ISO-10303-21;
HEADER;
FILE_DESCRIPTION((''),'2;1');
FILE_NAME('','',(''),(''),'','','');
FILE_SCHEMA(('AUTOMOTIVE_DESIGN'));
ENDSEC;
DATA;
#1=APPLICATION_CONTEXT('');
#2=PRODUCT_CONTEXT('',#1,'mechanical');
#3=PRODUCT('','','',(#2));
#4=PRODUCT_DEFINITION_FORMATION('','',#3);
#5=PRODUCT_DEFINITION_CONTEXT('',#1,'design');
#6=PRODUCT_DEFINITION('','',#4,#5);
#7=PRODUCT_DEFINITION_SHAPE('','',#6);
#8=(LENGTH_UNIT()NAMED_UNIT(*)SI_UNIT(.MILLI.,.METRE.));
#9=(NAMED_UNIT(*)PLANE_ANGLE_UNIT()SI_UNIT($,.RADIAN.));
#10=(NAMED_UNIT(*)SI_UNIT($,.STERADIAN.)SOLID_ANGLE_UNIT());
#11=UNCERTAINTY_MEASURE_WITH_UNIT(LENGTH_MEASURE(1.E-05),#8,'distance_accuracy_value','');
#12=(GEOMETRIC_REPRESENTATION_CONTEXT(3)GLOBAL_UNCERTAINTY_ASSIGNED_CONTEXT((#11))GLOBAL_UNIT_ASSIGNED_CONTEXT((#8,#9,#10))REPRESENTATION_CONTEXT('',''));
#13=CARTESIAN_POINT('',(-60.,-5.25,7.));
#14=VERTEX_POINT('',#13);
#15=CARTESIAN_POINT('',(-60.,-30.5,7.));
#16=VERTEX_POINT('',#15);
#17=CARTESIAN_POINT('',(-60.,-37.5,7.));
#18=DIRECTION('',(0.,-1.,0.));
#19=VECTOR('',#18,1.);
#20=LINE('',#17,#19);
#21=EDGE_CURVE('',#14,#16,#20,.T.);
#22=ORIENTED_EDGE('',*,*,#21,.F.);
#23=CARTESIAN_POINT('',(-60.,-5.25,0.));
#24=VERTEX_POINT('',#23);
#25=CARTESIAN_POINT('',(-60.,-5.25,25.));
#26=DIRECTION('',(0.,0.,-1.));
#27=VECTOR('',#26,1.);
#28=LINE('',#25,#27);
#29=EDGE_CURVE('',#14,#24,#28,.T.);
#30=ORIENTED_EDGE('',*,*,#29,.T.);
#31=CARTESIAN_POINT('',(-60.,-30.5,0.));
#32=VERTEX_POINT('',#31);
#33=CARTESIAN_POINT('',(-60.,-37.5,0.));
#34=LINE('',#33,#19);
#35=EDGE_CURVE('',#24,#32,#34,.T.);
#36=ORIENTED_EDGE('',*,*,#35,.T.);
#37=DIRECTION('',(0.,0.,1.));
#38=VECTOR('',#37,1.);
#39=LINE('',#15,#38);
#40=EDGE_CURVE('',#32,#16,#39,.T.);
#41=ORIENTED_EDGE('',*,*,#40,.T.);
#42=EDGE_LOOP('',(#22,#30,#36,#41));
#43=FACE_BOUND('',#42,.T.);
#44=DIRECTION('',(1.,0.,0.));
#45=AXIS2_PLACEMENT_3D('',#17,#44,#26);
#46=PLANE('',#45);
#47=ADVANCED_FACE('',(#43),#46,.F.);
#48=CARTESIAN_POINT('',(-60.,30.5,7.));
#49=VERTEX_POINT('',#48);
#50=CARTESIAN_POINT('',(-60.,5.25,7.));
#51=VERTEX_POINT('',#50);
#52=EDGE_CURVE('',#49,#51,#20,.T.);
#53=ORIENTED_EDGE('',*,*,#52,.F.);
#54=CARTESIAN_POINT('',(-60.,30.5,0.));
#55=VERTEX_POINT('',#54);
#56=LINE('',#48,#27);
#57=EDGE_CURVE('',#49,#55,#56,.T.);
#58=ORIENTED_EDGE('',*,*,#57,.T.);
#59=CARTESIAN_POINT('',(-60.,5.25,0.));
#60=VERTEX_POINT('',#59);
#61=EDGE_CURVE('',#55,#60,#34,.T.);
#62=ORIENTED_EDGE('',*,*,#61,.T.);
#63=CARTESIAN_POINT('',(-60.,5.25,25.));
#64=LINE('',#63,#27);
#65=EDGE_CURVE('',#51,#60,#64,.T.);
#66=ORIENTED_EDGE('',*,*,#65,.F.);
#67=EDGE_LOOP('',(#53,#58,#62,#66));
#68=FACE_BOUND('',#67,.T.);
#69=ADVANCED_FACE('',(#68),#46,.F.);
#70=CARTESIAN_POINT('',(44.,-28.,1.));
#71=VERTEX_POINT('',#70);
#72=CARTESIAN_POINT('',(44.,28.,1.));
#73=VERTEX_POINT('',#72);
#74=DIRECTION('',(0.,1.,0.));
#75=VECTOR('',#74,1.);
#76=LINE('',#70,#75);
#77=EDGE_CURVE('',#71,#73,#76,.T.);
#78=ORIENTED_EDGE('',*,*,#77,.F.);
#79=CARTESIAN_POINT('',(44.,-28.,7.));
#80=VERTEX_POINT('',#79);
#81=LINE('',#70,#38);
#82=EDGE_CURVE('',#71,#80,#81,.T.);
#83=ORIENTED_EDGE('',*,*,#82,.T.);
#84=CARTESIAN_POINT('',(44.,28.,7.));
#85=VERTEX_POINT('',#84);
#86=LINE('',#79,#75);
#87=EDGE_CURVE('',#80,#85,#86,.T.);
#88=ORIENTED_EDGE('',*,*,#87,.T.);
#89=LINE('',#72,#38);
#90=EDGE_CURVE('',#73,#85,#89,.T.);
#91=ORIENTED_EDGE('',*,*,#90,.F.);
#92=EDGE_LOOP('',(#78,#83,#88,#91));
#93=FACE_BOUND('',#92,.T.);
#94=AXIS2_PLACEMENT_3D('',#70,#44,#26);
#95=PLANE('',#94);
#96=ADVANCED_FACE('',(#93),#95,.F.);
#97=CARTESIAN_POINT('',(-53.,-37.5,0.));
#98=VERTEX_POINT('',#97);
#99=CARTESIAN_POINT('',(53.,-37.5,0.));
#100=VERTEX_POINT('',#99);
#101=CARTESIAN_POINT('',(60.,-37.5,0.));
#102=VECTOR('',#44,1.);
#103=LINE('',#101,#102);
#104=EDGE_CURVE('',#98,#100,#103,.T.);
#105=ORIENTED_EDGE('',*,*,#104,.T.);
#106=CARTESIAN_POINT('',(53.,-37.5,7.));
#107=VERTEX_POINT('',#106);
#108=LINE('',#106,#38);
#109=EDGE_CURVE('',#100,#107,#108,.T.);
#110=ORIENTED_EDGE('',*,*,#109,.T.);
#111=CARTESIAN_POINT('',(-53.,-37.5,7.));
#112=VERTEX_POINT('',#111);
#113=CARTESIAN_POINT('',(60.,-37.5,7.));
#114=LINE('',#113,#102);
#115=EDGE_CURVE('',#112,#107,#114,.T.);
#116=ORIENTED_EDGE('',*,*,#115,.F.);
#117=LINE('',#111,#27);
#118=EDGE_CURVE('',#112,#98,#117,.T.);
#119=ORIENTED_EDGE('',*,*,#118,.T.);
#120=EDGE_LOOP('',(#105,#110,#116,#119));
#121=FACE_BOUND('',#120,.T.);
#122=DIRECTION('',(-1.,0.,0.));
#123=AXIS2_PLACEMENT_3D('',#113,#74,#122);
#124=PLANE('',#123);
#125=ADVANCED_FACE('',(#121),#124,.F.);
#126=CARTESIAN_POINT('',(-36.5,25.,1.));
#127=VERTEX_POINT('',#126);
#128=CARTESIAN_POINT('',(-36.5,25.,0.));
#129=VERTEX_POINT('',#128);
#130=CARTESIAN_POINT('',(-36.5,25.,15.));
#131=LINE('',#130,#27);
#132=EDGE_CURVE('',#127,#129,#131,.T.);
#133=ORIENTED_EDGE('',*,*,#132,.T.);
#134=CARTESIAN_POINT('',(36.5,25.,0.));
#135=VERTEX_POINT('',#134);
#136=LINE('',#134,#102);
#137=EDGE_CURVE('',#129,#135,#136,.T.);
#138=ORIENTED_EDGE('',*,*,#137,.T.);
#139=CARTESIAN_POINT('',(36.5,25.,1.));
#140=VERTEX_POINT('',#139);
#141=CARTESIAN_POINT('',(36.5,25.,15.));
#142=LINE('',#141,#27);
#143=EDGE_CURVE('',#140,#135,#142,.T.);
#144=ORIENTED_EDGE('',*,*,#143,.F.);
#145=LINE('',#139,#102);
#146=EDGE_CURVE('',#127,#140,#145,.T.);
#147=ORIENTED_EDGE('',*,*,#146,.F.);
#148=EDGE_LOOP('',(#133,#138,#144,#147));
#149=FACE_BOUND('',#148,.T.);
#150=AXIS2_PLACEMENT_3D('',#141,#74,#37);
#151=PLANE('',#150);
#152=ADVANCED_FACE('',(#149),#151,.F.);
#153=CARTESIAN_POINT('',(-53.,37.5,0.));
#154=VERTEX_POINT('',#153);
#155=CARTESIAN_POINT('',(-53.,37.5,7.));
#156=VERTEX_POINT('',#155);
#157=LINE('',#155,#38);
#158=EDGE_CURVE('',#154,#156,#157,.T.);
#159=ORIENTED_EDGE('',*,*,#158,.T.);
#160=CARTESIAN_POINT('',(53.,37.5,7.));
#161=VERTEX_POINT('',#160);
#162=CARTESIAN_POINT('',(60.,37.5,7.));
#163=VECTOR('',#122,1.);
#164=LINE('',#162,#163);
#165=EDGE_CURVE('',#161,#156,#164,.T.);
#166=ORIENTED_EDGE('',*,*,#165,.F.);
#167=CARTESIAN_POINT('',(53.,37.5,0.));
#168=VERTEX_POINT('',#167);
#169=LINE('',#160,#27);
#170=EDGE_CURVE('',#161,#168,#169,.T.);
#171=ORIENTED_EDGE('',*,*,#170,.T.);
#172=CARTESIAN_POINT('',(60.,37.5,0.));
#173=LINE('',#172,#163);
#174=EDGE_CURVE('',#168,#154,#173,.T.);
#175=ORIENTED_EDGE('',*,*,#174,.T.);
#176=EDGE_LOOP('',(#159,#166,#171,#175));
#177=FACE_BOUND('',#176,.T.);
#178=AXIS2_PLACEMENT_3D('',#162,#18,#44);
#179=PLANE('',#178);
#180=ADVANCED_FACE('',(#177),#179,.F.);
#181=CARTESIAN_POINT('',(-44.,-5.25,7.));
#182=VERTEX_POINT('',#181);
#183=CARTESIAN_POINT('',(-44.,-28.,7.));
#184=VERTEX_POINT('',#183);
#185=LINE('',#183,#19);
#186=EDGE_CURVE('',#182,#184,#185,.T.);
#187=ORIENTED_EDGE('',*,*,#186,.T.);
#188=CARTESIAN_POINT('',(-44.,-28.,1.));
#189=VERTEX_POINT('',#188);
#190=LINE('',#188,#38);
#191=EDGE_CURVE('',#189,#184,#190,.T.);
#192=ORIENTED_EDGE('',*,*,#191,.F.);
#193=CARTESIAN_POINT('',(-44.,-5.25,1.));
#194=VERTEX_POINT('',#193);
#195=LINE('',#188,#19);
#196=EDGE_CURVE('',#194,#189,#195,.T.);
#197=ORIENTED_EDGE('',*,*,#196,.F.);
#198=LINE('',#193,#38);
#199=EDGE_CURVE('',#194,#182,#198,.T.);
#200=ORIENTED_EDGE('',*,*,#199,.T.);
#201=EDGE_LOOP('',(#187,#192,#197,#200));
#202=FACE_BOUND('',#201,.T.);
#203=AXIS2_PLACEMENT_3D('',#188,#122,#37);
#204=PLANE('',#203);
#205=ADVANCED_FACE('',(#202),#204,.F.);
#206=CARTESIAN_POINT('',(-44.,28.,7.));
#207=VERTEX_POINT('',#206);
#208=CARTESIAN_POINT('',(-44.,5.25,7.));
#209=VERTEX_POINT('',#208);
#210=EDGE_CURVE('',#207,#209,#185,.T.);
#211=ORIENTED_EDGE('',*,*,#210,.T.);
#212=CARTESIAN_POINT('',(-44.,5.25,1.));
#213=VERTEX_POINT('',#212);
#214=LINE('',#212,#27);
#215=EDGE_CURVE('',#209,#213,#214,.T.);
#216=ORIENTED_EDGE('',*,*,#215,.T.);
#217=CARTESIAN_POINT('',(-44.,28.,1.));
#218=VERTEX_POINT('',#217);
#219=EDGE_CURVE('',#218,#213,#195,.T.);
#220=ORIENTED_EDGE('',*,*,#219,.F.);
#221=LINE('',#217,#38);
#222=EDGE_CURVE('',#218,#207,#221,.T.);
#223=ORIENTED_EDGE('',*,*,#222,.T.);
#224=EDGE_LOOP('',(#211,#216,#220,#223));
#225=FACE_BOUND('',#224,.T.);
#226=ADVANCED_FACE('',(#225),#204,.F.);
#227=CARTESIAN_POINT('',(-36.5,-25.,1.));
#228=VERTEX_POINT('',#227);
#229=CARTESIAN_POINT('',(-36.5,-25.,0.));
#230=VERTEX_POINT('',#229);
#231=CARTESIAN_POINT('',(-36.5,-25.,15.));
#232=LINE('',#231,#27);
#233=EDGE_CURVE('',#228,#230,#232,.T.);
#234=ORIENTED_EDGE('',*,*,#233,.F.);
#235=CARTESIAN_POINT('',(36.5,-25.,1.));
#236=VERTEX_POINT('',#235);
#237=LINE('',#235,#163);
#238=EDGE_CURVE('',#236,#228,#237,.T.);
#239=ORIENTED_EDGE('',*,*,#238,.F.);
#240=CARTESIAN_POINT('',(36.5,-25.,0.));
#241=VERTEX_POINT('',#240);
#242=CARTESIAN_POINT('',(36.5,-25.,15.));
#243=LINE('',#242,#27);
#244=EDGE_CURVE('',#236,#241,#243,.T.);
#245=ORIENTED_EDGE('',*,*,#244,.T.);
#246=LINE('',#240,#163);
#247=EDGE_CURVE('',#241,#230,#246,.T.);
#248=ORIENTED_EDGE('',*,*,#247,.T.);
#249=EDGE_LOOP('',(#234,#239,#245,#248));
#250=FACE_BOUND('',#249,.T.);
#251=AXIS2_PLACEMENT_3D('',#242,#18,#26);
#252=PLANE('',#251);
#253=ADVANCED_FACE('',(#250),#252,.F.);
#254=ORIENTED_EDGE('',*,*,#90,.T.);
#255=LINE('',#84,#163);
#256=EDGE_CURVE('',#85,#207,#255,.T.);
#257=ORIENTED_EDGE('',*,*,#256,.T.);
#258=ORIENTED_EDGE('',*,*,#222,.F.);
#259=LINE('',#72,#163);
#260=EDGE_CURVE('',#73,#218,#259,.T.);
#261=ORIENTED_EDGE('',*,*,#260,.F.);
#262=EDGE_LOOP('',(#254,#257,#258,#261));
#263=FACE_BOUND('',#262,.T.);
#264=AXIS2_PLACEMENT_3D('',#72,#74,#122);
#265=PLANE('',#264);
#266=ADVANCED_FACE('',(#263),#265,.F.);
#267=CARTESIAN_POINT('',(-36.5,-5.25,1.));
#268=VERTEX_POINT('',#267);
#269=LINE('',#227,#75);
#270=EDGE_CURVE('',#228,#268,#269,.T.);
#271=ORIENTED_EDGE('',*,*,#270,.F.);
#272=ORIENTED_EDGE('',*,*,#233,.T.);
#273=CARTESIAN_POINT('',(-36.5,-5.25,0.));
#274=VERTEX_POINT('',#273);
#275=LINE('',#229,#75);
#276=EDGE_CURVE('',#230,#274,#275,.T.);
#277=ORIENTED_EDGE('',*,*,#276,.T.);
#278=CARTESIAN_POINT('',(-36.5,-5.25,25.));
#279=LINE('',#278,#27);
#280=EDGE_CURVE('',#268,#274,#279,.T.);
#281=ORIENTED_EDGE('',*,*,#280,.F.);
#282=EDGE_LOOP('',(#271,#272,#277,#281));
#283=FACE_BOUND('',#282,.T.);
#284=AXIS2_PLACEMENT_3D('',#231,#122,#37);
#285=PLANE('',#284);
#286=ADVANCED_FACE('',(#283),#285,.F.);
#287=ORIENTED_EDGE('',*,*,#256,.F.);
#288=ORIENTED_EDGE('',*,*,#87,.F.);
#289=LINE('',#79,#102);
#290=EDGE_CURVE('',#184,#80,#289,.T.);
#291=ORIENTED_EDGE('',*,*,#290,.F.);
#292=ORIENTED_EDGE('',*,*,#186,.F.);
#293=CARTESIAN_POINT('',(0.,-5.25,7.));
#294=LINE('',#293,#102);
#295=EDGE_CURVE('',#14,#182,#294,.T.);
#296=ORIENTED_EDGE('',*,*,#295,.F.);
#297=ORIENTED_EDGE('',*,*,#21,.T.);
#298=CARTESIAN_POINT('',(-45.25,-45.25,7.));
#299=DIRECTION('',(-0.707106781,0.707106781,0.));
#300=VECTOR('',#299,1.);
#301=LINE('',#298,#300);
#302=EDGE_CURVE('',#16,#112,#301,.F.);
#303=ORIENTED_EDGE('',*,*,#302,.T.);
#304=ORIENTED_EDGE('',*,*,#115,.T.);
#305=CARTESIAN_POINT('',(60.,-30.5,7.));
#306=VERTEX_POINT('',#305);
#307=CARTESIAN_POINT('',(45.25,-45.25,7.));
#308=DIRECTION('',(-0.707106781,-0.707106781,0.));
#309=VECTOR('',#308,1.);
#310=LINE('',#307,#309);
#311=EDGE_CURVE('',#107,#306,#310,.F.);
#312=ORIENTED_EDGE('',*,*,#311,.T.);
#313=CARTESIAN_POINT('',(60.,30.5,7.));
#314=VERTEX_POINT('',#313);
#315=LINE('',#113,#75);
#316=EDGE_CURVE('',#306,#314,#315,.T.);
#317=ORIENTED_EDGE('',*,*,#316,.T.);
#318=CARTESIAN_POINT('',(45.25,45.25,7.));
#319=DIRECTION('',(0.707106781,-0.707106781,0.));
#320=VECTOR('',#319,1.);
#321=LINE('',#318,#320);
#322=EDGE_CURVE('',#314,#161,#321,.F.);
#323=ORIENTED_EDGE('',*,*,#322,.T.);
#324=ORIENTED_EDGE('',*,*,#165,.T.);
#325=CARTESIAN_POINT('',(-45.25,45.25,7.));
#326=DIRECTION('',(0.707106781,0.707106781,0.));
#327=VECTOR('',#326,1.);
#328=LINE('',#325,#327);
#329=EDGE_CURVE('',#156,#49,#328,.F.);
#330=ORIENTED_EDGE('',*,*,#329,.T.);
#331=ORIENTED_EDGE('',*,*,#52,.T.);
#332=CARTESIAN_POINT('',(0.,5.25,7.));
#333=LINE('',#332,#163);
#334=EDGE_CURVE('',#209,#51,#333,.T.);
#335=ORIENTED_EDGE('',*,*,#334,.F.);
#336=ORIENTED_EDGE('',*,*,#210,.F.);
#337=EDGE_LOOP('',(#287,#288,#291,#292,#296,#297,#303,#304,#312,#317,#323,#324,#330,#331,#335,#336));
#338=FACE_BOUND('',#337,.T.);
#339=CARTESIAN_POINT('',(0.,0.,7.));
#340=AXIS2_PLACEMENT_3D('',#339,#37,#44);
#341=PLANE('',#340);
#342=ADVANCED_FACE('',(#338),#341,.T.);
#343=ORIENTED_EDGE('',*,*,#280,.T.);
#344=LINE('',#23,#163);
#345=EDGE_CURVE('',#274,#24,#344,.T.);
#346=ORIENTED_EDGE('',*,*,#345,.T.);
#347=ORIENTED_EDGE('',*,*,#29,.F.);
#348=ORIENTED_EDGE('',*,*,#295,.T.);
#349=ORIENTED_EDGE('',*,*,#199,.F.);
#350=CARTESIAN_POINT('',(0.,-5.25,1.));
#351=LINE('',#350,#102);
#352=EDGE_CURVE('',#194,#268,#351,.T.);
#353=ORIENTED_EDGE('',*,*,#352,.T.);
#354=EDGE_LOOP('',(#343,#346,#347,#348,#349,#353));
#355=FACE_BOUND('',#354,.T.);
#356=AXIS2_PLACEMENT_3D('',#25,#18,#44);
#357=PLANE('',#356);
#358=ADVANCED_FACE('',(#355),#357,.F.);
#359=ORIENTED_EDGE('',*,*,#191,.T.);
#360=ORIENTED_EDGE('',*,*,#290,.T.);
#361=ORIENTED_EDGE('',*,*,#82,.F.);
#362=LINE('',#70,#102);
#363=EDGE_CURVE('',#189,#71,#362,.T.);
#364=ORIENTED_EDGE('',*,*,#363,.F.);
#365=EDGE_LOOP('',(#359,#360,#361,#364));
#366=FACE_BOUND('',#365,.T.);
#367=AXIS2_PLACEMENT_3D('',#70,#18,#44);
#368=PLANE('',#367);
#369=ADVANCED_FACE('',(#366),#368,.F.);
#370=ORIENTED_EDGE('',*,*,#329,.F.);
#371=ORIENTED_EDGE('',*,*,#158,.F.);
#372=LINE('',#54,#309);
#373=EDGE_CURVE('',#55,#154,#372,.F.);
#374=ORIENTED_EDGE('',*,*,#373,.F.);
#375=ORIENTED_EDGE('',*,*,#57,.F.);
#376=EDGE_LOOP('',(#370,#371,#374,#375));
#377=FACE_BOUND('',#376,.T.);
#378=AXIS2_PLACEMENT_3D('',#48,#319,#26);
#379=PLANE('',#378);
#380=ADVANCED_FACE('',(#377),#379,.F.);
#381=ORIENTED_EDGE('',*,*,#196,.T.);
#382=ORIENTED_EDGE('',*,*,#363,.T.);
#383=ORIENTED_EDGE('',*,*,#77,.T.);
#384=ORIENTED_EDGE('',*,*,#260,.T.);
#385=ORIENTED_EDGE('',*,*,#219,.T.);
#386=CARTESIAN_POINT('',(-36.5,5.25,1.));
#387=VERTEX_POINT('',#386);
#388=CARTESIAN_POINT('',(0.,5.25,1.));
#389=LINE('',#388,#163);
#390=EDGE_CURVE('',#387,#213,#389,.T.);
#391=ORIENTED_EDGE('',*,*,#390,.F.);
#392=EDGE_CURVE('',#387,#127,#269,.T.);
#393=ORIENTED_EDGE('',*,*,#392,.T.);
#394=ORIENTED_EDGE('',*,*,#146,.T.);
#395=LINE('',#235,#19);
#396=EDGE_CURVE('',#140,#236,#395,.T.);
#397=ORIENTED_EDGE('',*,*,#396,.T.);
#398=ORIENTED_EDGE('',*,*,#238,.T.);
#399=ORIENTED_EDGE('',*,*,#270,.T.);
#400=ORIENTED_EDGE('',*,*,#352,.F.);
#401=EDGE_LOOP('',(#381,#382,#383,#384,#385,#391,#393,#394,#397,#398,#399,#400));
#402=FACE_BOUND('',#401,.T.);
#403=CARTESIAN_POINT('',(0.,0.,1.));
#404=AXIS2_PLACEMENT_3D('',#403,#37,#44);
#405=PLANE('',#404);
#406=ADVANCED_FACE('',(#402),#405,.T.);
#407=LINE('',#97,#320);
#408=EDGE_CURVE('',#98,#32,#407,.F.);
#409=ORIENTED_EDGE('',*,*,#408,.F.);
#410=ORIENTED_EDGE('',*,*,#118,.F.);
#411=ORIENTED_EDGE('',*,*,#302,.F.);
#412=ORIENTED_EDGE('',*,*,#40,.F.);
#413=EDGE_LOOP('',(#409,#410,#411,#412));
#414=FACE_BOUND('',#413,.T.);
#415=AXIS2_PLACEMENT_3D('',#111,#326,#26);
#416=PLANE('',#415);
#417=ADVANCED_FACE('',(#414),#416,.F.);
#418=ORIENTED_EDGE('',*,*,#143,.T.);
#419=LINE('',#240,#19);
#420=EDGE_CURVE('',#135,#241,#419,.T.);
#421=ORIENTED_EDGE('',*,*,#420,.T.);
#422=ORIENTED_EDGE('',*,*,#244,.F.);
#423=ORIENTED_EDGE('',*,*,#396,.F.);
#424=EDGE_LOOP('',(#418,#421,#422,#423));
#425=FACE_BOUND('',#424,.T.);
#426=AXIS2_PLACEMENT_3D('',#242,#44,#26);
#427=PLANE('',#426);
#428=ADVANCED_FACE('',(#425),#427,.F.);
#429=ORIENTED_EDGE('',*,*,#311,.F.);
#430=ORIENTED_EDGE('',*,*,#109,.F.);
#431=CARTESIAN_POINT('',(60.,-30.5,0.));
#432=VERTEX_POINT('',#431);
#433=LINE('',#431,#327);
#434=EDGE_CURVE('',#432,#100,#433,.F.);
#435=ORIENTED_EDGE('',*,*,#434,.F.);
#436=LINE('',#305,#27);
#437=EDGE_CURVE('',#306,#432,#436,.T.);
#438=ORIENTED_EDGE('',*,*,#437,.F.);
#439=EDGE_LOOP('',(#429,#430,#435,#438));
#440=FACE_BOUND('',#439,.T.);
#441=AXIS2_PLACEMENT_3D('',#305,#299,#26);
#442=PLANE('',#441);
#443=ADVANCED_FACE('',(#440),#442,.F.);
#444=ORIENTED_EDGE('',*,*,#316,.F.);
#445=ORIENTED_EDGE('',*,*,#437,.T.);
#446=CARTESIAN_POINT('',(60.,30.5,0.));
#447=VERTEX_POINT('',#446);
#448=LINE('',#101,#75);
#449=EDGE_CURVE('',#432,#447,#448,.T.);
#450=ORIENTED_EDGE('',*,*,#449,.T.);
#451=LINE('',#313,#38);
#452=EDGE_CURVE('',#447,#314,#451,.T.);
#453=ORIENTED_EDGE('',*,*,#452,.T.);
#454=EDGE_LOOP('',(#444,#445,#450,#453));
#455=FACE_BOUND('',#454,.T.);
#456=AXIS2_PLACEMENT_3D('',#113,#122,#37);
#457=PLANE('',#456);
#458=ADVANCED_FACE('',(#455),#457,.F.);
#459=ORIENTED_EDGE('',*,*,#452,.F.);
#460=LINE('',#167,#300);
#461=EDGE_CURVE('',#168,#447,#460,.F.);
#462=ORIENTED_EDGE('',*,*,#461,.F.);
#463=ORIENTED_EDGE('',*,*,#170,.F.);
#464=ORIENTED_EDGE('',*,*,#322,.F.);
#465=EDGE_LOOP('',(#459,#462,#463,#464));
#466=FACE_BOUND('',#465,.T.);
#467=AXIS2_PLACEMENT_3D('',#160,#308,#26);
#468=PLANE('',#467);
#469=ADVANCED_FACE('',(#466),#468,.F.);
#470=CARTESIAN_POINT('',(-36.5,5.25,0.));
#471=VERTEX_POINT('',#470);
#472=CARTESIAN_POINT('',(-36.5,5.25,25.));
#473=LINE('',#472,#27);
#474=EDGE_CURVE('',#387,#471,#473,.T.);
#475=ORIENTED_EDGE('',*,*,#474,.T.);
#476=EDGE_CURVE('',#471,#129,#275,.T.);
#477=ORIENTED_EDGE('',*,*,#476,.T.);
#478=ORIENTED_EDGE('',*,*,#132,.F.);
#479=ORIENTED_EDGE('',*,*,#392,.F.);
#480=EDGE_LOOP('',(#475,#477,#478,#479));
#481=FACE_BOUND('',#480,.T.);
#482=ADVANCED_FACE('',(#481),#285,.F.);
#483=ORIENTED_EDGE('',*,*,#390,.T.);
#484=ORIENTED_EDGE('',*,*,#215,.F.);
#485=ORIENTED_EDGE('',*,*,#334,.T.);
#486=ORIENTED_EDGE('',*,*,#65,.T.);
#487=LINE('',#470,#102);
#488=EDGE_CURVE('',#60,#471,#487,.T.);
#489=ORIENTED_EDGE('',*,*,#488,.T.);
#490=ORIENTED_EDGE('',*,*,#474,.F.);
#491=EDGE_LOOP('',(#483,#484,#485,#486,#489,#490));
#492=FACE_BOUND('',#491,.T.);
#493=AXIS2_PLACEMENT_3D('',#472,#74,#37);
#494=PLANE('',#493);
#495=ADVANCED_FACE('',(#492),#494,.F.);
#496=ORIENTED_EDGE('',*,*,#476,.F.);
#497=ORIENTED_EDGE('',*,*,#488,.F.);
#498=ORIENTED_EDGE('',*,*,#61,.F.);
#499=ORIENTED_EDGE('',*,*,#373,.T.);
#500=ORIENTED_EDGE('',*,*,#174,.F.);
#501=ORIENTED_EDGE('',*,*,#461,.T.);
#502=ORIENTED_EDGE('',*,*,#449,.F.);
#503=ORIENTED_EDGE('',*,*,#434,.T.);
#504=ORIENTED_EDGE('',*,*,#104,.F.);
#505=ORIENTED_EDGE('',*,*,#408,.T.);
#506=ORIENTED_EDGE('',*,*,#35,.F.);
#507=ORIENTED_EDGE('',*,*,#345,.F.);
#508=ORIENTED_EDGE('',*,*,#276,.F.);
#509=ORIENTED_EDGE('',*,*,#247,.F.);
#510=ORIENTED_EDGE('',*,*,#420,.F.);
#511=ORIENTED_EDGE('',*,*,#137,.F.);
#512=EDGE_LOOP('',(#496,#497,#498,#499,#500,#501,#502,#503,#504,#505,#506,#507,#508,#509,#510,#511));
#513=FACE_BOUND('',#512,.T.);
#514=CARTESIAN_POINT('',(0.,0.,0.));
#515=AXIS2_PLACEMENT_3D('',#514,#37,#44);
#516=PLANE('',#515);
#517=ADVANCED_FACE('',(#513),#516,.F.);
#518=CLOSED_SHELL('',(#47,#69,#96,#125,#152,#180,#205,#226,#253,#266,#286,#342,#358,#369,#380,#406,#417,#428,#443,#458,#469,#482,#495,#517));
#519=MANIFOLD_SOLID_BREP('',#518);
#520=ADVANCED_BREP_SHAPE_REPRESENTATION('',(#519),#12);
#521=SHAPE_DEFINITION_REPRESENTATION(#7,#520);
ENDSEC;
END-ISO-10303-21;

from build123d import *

# Parameters (mm, degrees)
CROQUIS1_W              = 120
CROQUIS1_H              = 75
SALIENTE_EXTRUIR1_DEPTH = 7
CROQUIS2_W              = 73
CROQUIS2_H              = 50
CORTAR_EXTRUIR1_DEPTH   = 15
CROQUIS3_W              = 88
CROQUIS3_H              = 56
CORTAR_EXTRUIR2_DEPTH   = 6
CROQUIS4_W              = 23.5
CROQUIS4_H              = 10.5
CORTAR_EXTRUIR3_DEPTH   = 25
CHAFL_N3_SIZE           = 7


with BuildPart() as part:
    # Croquis1 → Saliente-Extruir1 (new body)
    with BuildSketch(Plane.XY):
        Rectangle(CROQUIS1_W, CROQUIS1_H)
    extrude(amount=SALIENTE_EXTRUIR1_DEPTH)

    # Croquis2 → Cortar-Extruir1 (cut)
    with BuildSketch(Plane(origin=(0, 0, 0), x_dir=(-1, 0, 0), z_dir=(0, 0, -1))):
        Rectangle(CROQUIS2_W, CROQUIS2_H)
    extrude(amount=-CORTAR_EXTRUIR1_DEPTH, mode=Mode.SUBTRACT)

    # Croquis3 → Cortar-Extruir2 (cut)
    with BuildSketch(Plane.XY.offset(7)):
        Rectangle(CROQUIS3_W, CROQUIS3_H)
    extrude(amount=-CORTAR_EXTRUIR2_DEPTH, mode=Mode.SUBTRACT)

    # Croquis4 → Cortar-Extruir3 (cut)
    with BuildSketch(Plane(origin=(0, 0, 0), x_dir=(-1, 0, 0), z_dir=(0, 0, -1))):
        with Locations((48.25, 0)):
            Rectangle(CROQUIS4_W, CROQUIS4_H)
    extrude(amount=-CORTAR_EXTRUIR3_DEPTH, mode=Mode.SUBTRACT)

    # Chaflán3
    chafl_n3_edges = [part.edges().sort_by_distance(p)[0] for p in [
        (-60, 37.5, 3.5),
        (60, 37.5, 3.5),
        (60, -37.5, 3.5),
        (-60, -37.5, 3.5),
    ]]
    chamfer(chafl_n3_edges, length=CHAFL_N3_SIZE)


solid = part.part
